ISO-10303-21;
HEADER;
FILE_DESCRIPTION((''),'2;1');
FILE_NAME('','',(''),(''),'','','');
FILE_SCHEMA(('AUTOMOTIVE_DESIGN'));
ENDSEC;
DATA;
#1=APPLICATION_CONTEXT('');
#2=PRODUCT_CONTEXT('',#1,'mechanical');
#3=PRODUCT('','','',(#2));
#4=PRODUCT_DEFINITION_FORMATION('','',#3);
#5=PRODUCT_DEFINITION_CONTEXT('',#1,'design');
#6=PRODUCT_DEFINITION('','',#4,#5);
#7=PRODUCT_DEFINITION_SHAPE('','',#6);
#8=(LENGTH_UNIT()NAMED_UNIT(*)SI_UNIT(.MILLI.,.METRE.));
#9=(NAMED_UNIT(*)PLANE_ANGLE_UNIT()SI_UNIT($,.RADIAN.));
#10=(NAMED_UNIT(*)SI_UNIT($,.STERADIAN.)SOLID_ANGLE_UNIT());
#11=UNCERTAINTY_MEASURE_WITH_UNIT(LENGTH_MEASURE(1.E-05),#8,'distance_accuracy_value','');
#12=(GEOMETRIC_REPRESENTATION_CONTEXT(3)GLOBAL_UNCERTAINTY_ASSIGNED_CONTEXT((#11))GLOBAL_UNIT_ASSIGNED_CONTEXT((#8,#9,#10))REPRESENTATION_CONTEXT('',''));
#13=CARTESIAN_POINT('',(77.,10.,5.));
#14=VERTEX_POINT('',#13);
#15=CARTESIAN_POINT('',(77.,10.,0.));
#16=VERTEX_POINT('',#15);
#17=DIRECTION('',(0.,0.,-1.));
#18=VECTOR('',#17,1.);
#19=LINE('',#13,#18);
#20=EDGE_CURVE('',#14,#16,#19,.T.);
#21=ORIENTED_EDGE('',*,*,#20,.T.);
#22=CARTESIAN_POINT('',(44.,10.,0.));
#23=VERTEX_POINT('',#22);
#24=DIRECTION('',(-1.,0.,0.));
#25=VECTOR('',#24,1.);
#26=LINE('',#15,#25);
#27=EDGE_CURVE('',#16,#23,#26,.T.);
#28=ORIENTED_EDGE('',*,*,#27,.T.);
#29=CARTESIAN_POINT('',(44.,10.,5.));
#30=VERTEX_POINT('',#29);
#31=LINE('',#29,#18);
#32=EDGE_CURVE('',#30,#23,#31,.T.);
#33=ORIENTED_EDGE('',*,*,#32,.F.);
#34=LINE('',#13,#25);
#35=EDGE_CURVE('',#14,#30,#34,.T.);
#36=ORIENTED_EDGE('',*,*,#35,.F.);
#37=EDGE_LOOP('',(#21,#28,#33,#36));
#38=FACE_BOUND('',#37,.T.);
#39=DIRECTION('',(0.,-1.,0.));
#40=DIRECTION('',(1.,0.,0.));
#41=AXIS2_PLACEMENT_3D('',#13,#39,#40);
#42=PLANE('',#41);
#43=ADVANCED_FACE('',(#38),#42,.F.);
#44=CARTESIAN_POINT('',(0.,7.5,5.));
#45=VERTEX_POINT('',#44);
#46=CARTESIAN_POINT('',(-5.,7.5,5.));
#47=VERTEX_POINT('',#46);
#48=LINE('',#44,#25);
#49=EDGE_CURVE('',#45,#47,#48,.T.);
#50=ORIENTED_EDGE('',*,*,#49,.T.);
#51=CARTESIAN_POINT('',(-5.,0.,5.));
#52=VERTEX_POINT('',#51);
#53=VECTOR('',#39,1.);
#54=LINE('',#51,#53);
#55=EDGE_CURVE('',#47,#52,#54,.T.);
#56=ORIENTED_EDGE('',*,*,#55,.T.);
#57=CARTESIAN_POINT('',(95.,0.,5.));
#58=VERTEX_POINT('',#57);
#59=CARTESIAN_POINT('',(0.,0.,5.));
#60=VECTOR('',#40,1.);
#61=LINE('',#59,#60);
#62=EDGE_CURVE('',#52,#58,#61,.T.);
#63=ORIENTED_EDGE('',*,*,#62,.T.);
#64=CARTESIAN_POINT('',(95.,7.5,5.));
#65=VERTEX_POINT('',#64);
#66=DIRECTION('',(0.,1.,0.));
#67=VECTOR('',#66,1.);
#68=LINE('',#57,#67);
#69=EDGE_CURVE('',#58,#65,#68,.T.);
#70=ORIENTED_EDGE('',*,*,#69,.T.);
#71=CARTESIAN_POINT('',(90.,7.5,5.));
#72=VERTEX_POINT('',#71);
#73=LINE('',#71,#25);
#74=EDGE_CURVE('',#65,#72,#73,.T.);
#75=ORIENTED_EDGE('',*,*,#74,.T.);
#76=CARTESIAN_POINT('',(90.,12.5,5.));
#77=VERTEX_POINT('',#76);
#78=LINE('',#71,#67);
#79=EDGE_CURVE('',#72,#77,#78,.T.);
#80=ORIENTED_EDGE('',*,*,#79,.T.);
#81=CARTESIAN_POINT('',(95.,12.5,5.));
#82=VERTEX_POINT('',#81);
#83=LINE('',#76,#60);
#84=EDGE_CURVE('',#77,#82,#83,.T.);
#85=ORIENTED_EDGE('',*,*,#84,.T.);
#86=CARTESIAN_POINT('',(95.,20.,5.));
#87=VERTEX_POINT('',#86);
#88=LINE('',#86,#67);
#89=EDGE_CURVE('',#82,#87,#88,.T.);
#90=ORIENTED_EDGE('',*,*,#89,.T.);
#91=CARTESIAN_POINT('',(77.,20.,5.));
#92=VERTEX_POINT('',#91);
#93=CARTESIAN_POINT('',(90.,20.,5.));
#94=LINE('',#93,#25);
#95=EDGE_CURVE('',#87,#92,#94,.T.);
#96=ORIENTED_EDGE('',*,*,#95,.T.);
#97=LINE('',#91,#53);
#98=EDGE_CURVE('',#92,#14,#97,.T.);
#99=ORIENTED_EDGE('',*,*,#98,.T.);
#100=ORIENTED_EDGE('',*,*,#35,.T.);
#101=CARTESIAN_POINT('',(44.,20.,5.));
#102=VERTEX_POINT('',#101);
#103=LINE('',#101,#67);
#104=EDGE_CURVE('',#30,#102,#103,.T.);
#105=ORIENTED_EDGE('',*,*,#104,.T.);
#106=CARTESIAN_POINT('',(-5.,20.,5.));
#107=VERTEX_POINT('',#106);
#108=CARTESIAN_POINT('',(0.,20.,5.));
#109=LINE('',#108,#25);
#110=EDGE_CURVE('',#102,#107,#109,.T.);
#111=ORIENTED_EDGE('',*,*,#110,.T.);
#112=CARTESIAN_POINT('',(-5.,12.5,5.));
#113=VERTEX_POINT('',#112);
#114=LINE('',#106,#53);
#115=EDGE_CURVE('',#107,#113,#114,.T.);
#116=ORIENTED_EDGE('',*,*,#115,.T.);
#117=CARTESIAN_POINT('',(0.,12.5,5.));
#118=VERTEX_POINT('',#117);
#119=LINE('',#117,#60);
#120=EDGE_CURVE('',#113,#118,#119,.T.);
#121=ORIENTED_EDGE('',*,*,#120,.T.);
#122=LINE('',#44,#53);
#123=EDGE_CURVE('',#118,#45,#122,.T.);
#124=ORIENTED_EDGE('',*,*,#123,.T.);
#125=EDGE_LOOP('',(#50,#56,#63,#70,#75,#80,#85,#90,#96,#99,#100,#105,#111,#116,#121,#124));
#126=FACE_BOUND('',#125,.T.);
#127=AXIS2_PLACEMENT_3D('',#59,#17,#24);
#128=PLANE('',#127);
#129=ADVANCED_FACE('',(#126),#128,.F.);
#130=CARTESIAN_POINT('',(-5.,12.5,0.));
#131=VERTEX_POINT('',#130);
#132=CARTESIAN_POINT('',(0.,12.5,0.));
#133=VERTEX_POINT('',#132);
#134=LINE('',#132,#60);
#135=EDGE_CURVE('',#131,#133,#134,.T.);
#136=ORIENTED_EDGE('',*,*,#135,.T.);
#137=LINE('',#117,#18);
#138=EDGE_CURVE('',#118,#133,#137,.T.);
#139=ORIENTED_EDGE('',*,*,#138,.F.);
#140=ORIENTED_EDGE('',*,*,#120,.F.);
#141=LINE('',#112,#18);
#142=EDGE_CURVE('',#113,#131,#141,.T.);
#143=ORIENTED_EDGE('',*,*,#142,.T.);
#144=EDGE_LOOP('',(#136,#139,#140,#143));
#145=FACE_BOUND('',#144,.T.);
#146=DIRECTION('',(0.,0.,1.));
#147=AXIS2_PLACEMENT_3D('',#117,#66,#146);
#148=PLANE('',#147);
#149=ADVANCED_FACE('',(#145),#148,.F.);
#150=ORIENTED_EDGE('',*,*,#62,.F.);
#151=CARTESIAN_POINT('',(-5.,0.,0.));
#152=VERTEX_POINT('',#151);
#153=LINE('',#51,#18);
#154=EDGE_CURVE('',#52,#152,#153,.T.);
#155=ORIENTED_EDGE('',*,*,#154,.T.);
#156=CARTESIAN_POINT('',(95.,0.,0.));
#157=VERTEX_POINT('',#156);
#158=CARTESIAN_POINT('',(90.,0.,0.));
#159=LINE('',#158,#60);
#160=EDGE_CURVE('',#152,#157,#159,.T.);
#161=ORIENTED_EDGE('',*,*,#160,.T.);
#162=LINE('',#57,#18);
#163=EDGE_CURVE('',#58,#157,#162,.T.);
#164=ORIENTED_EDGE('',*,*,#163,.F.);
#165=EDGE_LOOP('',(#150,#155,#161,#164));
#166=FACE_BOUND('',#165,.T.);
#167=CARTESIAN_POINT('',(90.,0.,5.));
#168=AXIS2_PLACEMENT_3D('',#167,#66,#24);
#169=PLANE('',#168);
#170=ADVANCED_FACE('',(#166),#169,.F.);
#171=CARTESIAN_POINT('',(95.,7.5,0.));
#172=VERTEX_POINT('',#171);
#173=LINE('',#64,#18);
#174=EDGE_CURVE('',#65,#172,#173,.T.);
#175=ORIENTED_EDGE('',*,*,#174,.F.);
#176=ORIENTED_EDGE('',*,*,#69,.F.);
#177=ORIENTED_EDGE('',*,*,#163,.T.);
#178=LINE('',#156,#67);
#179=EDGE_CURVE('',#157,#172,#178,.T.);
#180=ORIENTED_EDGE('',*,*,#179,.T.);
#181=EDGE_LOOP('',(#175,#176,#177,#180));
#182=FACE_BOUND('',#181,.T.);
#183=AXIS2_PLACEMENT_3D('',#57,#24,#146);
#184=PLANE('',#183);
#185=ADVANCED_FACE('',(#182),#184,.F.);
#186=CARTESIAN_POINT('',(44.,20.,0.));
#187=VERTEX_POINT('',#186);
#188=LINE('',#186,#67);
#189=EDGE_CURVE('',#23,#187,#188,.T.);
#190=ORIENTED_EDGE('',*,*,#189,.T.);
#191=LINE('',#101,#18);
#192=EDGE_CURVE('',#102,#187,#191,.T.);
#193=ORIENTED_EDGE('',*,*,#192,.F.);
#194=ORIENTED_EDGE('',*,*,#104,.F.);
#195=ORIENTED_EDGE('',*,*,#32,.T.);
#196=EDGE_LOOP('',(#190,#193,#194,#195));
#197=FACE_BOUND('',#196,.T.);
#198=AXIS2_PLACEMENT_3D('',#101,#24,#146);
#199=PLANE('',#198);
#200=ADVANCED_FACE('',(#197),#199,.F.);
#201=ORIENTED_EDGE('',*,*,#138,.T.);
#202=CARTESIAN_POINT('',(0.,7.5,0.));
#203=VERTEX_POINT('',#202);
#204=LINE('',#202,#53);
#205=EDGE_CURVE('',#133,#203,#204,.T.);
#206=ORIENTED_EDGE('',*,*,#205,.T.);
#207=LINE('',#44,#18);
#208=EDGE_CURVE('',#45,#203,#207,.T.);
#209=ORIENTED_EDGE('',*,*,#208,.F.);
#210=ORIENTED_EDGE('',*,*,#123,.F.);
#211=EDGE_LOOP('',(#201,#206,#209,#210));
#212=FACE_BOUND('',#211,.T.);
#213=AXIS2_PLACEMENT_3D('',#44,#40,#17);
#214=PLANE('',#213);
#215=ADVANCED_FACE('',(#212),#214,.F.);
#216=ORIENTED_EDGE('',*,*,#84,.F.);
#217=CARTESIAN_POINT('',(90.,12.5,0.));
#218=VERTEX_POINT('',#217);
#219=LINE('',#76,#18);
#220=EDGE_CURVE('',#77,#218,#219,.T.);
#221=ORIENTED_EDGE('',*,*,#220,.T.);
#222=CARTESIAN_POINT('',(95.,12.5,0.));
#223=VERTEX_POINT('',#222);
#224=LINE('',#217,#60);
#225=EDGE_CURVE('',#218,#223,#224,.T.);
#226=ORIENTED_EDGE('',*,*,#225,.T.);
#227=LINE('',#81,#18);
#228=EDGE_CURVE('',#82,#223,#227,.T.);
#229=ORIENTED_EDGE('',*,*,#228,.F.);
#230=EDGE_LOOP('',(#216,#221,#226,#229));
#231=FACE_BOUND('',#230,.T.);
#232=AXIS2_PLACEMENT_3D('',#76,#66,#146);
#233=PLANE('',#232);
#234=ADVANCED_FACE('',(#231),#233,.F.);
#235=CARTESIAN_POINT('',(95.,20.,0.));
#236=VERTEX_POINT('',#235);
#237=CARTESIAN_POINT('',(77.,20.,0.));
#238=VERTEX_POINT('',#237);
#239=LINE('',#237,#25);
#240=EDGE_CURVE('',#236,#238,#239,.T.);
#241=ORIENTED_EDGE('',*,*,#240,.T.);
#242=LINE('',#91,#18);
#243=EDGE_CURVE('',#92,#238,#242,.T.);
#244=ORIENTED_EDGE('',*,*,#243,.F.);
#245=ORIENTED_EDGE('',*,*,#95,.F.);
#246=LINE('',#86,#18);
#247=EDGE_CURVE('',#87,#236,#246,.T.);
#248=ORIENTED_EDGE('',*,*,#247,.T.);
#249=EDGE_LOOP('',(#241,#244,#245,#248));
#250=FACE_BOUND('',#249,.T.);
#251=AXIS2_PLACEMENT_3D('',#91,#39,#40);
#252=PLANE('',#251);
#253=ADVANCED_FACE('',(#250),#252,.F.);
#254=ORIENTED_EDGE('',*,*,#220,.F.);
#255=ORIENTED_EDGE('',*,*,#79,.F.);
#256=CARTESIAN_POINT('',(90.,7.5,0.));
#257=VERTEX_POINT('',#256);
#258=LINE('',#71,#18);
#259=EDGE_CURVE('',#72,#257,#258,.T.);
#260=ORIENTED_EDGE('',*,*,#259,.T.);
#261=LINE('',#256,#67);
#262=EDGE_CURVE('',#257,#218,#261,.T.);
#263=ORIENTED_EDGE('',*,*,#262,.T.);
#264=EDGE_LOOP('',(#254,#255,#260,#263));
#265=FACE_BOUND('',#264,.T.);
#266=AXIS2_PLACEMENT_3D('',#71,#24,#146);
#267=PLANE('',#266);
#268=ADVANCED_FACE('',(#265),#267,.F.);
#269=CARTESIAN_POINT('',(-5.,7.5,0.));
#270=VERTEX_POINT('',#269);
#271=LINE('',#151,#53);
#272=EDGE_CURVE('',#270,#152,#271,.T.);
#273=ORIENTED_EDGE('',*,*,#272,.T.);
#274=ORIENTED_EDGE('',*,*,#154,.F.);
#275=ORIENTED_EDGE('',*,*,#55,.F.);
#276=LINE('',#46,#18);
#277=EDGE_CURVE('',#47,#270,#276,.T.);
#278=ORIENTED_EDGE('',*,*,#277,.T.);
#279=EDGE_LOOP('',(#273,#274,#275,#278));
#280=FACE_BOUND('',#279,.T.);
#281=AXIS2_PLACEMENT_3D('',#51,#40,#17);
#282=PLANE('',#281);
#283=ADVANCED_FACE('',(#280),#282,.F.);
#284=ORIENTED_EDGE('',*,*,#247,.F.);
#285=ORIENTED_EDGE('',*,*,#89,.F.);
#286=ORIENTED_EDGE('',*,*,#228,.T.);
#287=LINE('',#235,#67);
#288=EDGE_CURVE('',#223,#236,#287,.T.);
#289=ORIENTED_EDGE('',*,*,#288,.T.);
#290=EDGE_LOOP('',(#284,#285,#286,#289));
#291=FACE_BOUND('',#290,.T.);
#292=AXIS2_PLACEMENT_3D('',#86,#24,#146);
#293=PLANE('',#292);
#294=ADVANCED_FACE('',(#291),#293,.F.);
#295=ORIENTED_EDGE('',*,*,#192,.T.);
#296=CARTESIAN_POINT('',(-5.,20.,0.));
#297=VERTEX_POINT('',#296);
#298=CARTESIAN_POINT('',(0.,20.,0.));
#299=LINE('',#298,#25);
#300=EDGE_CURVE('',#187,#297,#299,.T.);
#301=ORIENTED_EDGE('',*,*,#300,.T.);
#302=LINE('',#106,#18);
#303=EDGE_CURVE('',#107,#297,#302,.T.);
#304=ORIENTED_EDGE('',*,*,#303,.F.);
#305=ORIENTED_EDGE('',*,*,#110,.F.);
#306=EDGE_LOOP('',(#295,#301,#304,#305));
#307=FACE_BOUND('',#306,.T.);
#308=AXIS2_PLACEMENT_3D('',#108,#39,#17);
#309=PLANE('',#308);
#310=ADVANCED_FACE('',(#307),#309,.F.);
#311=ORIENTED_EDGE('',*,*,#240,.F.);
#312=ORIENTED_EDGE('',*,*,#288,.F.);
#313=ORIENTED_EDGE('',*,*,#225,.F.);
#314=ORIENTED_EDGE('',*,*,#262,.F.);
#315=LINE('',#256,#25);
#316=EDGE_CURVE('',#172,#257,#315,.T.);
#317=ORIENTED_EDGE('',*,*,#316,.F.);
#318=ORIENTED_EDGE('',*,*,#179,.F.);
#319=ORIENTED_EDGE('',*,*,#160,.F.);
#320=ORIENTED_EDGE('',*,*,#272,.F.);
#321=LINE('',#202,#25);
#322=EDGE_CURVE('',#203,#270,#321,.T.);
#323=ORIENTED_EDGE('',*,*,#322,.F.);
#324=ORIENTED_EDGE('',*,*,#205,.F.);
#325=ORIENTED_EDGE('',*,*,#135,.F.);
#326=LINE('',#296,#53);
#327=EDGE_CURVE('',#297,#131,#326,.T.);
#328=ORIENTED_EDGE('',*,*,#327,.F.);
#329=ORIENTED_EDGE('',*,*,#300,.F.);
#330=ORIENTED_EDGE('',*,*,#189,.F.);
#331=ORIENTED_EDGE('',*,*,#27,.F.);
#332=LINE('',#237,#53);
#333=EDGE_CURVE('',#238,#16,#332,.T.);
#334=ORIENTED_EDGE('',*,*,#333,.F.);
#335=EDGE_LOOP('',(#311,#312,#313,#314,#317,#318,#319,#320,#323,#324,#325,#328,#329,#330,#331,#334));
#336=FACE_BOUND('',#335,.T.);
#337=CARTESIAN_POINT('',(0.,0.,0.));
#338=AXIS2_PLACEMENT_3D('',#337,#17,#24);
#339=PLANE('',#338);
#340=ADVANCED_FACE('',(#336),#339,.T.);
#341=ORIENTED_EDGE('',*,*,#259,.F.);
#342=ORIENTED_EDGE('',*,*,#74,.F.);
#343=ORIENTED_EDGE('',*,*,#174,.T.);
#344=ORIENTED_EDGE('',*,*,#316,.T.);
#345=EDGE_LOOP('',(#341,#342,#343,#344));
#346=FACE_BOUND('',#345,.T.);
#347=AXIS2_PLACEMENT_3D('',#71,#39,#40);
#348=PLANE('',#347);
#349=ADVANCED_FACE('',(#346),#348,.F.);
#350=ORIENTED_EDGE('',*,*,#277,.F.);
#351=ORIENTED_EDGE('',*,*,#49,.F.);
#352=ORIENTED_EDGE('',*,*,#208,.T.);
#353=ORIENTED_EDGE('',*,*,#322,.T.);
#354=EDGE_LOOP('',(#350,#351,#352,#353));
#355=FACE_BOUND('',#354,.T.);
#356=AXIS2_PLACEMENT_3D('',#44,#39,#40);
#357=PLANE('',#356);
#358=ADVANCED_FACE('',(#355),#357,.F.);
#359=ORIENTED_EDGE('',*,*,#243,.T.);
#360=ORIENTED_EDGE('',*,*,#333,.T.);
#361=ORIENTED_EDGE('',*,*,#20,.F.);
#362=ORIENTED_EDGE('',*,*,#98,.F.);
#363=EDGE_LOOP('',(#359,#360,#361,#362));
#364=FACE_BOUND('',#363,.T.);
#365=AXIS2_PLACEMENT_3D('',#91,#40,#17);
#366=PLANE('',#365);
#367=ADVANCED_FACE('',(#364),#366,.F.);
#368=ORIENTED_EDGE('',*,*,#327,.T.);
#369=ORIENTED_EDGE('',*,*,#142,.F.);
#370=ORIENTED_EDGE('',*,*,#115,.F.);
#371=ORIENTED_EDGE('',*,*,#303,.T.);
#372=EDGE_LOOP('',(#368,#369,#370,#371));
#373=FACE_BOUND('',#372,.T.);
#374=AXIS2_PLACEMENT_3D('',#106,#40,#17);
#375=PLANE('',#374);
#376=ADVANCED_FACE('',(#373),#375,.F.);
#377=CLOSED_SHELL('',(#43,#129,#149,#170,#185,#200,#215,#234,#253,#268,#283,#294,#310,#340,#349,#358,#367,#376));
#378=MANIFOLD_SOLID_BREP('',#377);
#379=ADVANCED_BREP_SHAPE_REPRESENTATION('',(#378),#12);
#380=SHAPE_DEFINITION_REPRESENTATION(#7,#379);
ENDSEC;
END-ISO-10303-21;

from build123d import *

# Parameters (mm, degrees)
BOSS_EXTRU_1_DEPTH = 5


with BuildPart() as part:
    # Esquisse1 → Boss.-Extru.1 (new body)
    with BuildSketch(Plane.XY):
        Polygon((0, 0), (90, 0), (95, 0), (95, 7.5), (90, 7.5), (90, 12.5), (95, 12.5), (95, 20), (90, 20), (77, 20), (77, 10), (44, 10), (44, 20), (0, 20), (-5, 20), (-5, 12.5), (0, 12.5), (0, 7.5), (-5, 7.5), (-5, 0), align=None)
    extrude(amount=BOSS_EXTRU_1_DEPTH)


solid = part.part
